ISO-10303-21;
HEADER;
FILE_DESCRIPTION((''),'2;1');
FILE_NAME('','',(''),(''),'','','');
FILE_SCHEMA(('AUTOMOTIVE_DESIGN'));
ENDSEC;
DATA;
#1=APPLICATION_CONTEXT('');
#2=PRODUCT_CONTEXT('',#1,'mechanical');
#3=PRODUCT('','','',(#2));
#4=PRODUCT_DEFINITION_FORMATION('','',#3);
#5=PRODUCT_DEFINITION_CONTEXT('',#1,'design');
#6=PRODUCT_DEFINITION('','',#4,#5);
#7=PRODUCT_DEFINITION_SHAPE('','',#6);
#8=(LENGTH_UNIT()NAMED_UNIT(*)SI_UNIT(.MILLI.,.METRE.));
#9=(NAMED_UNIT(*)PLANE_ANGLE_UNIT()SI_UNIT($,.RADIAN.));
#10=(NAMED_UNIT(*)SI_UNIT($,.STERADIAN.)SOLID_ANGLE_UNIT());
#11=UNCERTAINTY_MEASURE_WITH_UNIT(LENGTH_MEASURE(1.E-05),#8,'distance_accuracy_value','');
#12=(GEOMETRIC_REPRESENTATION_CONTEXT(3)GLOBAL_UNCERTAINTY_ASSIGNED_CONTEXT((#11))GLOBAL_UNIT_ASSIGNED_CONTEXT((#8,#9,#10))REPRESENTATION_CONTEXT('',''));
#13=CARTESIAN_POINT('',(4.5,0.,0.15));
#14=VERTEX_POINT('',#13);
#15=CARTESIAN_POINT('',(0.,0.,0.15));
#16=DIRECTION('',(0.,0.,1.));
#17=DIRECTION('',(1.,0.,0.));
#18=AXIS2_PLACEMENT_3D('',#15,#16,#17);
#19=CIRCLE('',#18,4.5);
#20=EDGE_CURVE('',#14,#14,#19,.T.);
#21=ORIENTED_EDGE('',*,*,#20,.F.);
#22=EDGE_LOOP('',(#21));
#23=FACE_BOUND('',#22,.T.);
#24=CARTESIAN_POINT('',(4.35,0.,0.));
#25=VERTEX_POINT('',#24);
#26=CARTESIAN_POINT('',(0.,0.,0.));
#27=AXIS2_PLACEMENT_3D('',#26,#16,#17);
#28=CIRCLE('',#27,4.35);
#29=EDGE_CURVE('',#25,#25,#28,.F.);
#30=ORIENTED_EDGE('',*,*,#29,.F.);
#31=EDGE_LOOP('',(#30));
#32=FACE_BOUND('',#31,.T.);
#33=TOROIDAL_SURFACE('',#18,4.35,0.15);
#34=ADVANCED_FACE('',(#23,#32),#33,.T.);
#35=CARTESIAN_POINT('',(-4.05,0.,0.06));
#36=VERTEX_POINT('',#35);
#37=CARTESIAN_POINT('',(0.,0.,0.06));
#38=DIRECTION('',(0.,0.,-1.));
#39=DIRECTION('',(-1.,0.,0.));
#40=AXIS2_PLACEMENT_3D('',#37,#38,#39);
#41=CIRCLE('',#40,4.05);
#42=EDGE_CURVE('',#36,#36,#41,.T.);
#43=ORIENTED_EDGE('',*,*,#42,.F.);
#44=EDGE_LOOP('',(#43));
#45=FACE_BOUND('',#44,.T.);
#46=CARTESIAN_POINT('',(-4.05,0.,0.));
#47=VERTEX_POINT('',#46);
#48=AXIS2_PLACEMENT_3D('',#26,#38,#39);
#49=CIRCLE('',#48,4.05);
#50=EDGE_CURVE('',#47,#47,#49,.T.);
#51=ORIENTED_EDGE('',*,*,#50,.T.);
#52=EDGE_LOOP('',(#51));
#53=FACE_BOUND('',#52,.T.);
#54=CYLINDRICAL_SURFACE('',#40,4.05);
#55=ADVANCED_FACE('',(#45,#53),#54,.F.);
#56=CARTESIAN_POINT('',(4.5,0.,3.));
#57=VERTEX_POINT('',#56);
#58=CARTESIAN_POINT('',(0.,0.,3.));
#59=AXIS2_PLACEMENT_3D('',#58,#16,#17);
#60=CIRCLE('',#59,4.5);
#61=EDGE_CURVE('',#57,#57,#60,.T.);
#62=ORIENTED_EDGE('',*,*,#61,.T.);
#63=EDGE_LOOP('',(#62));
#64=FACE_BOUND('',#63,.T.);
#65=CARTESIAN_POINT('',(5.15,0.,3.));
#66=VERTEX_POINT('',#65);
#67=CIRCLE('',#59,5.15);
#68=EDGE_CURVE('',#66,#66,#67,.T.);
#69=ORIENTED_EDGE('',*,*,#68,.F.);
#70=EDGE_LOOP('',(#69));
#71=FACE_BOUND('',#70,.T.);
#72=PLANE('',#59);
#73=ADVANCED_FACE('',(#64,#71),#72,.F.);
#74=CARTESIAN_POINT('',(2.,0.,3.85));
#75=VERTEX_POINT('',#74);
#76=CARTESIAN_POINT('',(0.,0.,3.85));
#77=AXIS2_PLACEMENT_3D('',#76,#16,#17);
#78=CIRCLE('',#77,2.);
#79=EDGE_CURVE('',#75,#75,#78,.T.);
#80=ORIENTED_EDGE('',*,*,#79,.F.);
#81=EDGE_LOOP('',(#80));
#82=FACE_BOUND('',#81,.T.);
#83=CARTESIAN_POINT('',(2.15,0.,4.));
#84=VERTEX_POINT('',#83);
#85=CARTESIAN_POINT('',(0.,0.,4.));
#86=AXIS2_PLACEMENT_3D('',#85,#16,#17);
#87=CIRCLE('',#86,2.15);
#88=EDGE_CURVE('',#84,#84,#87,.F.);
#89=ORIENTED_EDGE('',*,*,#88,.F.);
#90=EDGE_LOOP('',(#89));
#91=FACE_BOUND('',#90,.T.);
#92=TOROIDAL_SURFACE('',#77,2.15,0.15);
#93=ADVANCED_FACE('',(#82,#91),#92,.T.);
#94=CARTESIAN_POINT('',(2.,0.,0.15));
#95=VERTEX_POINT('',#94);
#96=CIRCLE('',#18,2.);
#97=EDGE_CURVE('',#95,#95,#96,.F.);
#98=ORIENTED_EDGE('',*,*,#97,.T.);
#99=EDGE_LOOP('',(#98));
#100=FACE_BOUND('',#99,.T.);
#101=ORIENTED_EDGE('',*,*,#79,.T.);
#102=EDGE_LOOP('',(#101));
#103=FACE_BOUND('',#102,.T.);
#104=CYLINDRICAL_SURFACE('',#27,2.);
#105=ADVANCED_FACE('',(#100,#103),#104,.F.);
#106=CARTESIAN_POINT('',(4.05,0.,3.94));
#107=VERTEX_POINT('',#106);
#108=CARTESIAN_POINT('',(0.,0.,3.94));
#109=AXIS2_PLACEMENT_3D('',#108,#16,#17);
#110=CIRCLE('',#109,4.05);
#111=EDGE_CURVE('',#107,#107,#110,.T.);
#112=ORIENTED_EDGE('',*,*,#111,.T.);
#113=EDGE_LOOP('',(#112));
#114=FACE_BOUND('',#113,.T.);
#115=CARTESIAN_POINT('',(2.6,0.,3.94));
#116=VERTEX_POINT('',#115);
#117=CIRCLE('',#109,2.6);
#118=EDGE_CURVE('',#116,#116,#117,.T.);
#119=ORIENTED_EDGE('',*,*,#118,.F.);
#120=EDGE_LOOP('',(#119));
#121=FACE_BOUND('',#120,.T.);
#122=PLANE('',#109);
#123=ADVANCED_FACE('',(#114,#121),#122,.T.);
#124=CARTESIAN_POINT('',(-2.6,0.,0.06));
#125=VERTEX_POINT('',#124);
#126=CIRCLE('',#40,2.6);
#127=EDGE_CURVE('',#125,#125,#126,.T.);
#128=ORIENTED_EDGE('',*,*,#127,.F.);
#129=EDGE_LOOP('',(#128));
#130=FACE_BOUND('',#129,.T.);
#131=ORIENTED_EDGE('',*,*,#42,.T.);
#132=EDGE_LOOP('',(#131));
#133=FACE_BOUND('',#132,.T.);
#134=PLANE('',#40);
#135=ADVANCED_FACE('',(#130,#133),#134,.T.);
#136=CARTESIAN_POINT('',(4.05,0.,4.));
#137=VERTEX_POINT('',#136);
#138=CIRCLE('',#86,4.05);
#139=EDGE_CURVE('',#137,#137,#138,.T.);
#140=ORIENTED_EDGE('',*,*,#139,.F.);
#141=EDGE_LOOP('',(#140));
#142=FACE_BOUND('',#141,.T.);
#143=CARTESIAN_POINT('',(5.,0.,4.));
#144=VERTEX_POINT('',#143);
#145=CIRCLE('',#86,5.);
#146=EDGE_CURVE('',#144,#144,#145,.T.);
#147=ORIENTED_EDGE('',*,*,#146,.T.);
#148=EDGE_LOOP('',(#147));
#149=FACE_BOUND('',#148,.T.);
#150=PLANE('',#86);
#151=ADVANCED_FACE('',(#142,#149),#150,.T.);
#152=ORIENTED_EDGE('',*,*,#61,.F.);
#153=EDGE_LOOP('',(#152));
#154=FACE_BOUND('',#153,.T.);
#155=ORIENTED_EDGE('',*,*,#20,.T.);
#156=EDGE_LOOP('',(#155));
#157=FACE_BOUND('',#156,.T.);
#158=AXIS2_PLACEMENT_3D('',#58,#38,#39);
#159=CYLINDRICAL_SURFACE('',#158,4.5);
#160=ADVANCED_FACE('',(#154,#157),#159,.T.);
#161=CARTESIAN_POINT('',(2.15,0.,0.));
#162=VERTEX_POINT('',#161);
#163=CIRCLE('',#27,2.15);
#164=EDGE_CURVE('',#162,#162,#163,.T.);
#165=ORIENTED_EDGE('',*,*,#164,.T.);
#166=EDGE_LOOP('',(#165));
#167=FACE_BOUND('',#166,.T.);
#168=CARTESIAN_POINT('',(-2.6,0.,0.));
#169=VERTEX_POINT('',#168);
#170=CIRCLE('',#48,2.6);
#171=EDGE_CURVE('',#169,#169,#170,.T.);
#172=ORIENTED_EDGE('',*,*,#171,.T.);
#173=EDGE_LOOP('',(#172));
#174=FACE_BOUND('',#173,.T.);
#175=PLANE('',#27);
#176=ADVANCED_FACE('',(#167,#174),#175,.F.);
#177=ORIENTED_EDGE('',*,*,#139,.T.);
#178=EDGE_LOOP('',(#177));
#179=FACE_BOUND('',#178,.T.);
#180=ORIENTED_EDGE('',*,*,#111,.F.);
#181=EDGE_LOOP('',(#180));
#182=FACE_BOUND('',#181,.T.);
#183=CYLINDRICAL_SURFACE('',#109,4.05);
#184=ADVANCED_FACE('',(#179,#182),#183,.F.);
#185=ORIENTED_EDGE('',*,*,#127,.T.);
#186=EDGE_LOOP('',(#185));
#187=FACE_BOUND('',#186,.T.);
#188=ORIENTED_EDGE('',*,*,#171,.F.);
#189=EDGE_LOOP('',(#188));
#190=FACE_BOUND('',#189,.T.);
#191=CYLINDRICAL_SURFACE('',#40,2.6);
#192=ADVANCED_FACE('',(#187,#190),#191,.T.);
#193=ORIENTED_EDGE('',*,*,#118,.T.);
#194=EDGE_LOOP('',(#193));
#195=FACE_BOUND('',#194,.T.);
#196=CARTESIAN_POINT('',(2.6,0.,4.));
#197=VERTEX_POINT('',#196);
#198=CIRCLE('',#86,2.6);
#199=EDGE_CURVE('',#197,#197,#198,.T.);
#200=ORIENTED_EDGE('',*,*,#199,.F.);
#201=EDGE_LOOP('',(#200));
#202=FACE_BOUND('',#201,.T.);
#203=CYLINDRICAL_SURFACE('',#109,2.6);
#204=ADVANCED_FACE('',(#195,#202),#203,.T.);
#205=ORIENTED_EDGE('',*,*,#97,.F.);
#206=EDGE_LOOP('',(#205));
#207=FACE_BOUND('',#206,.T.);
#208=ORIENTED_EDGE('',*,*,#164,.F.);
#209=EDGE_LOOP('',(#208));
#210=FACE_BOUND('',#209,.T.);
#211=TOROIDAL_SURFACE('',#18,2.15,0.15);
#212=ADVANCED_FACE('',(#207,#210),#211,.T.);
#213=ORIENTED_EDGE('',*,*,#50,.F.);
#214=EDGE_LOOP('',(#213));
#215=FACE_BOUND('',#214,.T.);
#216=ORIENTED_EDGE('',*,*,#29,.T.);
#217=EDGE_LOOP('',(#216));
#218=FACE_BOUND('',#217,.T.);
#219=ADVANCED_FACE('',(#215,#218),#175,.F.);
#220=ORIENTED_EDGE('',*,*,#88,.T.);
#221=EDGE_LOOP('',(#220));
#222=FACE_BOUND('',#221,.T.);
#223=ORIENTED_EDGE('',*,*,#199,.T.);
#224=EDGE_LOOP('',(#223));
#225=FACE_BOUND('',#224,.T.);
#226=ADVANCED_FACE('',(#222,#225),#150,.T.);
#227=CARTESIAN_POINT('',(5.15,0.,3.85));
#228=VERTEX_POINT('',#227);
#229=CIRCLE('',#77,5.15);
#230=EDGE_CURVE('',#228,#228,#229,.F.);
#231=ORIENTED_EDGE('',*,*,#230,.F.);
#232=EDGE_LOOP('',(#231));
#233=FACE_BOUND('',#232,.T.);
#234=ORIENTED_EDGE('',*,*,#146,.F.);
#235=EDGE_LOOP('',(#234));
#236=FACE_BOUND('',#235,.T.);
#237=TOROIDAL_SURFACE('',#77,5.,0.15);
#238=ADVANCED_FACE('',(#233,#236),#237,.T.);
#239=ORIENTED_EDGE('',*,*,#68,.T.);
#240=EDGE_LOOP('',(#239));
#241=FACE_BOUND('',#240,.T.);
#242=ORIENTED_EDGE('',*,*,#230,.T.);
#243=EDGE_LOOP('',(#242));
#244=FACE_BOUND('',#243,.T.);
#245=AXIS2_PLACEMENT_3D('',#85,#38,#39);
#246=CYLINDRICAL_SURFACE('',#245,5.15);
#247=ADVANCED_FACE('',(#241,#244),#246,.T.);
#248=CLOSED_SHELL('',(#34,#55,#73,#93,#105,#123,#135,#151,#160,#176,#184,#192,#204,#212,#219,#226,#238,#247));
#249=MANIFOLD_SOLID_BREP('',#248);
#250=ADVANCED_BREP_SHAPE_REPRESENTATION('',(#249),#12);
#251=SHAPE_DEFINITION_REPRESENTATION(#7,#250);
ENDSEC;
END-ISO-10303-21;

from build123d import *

# Parameters (mm, degrees)
SKETCH1_R           = 4.5
BOSS_EXTRUDE1_DEPTH = 3
SKETCH2_R           = 5.15
BOSS_EXTRUDE2_DEPTH = 1
SKETCH3_R           = 2
CUT_EXTRUDE1_DEPTH  = 9.309332103
SKETCH4_R           = 4.05
SKETCH4_R_2         = 2.6
CUT_EXTRUDE2_DEPTH  = 0.06
CUT_EXTRUDE3_START  = -0.06
SKETCH5_R           = 4.05
SKETCH5_R_2         = 2.6
CUT_EXTRUDE3_DEPTH  = 0.06
FILLET1_R           = 0.15


with BuildPart() as part:
    # Sketch1 → Boss-Extrude1 (new body)
    with BuildSketch(Plane.XY):
        Circle(SKETCH1_R)
    extrude(amount=BOSS_EXTRUDE1_DEPTH)

    # Sketch2 → Boss-Extrude2 (add)
    with BuildSketch(Plane.XY.offset(3)):
        Circle(SKETCH2_R)
    extrude(amount=BOSS_EXTRUDE2_DEPTH)

    # Sketch3 → Cut-Extrude1 (cut, through all)
    with BuildSketch(Plane.XY.offset(4)):
        Circle(SKETCH3_R)
    extrude(amount=-CUT_EXTRUDE1_DEPTH, mode=Mode.SUBTRACT)

    # Sketch4 → Cut-Extrude2 (cut)
    with BuildSketch(Plane.XY.offset(4)):
        Circle(SKETCH4_R)
        Circle(SKETCH4_R_2, mode=Mode.SUBTRACT)
    extrude(amount=-CUT_EXTRUDE2_DEPTH, mode=Mode.SUBTRACT)

    # Sketch5 → Cut-Extrude3 (cut)
    with BuildSketch(Plane(origin=(0, 0, 0), x_dir=(-1, 0, 0), z_dir=(0, 0, -1)).offset(CUT_EXTRUDE3_START)):
        with Locations(Location((0, 0, 0), (0, 0, 180))):
            Circle(SKETCH5_R)
        with Locations(Location((0, 0, 0), (0, 0, 180))):
            Circle(SKETCH5_R_2, mode=Mode.SUBTRACT)
    extrude(amount=CUT_EXTRUDE3_DEPTH, mode=Mode.SUBTRACT)

    # Fillet1
    fillet1_edges = [part.edges().sort_by_distance(p)[0] for p in [
        (-2, 0, 0),
        (-2, 0, 4),
        (-4.5, 0, 0),
        (-5.15, 0, 4),
    ]]
    fillet(fillet1_edges, radius=FILLET1_R)


solid = part.part
